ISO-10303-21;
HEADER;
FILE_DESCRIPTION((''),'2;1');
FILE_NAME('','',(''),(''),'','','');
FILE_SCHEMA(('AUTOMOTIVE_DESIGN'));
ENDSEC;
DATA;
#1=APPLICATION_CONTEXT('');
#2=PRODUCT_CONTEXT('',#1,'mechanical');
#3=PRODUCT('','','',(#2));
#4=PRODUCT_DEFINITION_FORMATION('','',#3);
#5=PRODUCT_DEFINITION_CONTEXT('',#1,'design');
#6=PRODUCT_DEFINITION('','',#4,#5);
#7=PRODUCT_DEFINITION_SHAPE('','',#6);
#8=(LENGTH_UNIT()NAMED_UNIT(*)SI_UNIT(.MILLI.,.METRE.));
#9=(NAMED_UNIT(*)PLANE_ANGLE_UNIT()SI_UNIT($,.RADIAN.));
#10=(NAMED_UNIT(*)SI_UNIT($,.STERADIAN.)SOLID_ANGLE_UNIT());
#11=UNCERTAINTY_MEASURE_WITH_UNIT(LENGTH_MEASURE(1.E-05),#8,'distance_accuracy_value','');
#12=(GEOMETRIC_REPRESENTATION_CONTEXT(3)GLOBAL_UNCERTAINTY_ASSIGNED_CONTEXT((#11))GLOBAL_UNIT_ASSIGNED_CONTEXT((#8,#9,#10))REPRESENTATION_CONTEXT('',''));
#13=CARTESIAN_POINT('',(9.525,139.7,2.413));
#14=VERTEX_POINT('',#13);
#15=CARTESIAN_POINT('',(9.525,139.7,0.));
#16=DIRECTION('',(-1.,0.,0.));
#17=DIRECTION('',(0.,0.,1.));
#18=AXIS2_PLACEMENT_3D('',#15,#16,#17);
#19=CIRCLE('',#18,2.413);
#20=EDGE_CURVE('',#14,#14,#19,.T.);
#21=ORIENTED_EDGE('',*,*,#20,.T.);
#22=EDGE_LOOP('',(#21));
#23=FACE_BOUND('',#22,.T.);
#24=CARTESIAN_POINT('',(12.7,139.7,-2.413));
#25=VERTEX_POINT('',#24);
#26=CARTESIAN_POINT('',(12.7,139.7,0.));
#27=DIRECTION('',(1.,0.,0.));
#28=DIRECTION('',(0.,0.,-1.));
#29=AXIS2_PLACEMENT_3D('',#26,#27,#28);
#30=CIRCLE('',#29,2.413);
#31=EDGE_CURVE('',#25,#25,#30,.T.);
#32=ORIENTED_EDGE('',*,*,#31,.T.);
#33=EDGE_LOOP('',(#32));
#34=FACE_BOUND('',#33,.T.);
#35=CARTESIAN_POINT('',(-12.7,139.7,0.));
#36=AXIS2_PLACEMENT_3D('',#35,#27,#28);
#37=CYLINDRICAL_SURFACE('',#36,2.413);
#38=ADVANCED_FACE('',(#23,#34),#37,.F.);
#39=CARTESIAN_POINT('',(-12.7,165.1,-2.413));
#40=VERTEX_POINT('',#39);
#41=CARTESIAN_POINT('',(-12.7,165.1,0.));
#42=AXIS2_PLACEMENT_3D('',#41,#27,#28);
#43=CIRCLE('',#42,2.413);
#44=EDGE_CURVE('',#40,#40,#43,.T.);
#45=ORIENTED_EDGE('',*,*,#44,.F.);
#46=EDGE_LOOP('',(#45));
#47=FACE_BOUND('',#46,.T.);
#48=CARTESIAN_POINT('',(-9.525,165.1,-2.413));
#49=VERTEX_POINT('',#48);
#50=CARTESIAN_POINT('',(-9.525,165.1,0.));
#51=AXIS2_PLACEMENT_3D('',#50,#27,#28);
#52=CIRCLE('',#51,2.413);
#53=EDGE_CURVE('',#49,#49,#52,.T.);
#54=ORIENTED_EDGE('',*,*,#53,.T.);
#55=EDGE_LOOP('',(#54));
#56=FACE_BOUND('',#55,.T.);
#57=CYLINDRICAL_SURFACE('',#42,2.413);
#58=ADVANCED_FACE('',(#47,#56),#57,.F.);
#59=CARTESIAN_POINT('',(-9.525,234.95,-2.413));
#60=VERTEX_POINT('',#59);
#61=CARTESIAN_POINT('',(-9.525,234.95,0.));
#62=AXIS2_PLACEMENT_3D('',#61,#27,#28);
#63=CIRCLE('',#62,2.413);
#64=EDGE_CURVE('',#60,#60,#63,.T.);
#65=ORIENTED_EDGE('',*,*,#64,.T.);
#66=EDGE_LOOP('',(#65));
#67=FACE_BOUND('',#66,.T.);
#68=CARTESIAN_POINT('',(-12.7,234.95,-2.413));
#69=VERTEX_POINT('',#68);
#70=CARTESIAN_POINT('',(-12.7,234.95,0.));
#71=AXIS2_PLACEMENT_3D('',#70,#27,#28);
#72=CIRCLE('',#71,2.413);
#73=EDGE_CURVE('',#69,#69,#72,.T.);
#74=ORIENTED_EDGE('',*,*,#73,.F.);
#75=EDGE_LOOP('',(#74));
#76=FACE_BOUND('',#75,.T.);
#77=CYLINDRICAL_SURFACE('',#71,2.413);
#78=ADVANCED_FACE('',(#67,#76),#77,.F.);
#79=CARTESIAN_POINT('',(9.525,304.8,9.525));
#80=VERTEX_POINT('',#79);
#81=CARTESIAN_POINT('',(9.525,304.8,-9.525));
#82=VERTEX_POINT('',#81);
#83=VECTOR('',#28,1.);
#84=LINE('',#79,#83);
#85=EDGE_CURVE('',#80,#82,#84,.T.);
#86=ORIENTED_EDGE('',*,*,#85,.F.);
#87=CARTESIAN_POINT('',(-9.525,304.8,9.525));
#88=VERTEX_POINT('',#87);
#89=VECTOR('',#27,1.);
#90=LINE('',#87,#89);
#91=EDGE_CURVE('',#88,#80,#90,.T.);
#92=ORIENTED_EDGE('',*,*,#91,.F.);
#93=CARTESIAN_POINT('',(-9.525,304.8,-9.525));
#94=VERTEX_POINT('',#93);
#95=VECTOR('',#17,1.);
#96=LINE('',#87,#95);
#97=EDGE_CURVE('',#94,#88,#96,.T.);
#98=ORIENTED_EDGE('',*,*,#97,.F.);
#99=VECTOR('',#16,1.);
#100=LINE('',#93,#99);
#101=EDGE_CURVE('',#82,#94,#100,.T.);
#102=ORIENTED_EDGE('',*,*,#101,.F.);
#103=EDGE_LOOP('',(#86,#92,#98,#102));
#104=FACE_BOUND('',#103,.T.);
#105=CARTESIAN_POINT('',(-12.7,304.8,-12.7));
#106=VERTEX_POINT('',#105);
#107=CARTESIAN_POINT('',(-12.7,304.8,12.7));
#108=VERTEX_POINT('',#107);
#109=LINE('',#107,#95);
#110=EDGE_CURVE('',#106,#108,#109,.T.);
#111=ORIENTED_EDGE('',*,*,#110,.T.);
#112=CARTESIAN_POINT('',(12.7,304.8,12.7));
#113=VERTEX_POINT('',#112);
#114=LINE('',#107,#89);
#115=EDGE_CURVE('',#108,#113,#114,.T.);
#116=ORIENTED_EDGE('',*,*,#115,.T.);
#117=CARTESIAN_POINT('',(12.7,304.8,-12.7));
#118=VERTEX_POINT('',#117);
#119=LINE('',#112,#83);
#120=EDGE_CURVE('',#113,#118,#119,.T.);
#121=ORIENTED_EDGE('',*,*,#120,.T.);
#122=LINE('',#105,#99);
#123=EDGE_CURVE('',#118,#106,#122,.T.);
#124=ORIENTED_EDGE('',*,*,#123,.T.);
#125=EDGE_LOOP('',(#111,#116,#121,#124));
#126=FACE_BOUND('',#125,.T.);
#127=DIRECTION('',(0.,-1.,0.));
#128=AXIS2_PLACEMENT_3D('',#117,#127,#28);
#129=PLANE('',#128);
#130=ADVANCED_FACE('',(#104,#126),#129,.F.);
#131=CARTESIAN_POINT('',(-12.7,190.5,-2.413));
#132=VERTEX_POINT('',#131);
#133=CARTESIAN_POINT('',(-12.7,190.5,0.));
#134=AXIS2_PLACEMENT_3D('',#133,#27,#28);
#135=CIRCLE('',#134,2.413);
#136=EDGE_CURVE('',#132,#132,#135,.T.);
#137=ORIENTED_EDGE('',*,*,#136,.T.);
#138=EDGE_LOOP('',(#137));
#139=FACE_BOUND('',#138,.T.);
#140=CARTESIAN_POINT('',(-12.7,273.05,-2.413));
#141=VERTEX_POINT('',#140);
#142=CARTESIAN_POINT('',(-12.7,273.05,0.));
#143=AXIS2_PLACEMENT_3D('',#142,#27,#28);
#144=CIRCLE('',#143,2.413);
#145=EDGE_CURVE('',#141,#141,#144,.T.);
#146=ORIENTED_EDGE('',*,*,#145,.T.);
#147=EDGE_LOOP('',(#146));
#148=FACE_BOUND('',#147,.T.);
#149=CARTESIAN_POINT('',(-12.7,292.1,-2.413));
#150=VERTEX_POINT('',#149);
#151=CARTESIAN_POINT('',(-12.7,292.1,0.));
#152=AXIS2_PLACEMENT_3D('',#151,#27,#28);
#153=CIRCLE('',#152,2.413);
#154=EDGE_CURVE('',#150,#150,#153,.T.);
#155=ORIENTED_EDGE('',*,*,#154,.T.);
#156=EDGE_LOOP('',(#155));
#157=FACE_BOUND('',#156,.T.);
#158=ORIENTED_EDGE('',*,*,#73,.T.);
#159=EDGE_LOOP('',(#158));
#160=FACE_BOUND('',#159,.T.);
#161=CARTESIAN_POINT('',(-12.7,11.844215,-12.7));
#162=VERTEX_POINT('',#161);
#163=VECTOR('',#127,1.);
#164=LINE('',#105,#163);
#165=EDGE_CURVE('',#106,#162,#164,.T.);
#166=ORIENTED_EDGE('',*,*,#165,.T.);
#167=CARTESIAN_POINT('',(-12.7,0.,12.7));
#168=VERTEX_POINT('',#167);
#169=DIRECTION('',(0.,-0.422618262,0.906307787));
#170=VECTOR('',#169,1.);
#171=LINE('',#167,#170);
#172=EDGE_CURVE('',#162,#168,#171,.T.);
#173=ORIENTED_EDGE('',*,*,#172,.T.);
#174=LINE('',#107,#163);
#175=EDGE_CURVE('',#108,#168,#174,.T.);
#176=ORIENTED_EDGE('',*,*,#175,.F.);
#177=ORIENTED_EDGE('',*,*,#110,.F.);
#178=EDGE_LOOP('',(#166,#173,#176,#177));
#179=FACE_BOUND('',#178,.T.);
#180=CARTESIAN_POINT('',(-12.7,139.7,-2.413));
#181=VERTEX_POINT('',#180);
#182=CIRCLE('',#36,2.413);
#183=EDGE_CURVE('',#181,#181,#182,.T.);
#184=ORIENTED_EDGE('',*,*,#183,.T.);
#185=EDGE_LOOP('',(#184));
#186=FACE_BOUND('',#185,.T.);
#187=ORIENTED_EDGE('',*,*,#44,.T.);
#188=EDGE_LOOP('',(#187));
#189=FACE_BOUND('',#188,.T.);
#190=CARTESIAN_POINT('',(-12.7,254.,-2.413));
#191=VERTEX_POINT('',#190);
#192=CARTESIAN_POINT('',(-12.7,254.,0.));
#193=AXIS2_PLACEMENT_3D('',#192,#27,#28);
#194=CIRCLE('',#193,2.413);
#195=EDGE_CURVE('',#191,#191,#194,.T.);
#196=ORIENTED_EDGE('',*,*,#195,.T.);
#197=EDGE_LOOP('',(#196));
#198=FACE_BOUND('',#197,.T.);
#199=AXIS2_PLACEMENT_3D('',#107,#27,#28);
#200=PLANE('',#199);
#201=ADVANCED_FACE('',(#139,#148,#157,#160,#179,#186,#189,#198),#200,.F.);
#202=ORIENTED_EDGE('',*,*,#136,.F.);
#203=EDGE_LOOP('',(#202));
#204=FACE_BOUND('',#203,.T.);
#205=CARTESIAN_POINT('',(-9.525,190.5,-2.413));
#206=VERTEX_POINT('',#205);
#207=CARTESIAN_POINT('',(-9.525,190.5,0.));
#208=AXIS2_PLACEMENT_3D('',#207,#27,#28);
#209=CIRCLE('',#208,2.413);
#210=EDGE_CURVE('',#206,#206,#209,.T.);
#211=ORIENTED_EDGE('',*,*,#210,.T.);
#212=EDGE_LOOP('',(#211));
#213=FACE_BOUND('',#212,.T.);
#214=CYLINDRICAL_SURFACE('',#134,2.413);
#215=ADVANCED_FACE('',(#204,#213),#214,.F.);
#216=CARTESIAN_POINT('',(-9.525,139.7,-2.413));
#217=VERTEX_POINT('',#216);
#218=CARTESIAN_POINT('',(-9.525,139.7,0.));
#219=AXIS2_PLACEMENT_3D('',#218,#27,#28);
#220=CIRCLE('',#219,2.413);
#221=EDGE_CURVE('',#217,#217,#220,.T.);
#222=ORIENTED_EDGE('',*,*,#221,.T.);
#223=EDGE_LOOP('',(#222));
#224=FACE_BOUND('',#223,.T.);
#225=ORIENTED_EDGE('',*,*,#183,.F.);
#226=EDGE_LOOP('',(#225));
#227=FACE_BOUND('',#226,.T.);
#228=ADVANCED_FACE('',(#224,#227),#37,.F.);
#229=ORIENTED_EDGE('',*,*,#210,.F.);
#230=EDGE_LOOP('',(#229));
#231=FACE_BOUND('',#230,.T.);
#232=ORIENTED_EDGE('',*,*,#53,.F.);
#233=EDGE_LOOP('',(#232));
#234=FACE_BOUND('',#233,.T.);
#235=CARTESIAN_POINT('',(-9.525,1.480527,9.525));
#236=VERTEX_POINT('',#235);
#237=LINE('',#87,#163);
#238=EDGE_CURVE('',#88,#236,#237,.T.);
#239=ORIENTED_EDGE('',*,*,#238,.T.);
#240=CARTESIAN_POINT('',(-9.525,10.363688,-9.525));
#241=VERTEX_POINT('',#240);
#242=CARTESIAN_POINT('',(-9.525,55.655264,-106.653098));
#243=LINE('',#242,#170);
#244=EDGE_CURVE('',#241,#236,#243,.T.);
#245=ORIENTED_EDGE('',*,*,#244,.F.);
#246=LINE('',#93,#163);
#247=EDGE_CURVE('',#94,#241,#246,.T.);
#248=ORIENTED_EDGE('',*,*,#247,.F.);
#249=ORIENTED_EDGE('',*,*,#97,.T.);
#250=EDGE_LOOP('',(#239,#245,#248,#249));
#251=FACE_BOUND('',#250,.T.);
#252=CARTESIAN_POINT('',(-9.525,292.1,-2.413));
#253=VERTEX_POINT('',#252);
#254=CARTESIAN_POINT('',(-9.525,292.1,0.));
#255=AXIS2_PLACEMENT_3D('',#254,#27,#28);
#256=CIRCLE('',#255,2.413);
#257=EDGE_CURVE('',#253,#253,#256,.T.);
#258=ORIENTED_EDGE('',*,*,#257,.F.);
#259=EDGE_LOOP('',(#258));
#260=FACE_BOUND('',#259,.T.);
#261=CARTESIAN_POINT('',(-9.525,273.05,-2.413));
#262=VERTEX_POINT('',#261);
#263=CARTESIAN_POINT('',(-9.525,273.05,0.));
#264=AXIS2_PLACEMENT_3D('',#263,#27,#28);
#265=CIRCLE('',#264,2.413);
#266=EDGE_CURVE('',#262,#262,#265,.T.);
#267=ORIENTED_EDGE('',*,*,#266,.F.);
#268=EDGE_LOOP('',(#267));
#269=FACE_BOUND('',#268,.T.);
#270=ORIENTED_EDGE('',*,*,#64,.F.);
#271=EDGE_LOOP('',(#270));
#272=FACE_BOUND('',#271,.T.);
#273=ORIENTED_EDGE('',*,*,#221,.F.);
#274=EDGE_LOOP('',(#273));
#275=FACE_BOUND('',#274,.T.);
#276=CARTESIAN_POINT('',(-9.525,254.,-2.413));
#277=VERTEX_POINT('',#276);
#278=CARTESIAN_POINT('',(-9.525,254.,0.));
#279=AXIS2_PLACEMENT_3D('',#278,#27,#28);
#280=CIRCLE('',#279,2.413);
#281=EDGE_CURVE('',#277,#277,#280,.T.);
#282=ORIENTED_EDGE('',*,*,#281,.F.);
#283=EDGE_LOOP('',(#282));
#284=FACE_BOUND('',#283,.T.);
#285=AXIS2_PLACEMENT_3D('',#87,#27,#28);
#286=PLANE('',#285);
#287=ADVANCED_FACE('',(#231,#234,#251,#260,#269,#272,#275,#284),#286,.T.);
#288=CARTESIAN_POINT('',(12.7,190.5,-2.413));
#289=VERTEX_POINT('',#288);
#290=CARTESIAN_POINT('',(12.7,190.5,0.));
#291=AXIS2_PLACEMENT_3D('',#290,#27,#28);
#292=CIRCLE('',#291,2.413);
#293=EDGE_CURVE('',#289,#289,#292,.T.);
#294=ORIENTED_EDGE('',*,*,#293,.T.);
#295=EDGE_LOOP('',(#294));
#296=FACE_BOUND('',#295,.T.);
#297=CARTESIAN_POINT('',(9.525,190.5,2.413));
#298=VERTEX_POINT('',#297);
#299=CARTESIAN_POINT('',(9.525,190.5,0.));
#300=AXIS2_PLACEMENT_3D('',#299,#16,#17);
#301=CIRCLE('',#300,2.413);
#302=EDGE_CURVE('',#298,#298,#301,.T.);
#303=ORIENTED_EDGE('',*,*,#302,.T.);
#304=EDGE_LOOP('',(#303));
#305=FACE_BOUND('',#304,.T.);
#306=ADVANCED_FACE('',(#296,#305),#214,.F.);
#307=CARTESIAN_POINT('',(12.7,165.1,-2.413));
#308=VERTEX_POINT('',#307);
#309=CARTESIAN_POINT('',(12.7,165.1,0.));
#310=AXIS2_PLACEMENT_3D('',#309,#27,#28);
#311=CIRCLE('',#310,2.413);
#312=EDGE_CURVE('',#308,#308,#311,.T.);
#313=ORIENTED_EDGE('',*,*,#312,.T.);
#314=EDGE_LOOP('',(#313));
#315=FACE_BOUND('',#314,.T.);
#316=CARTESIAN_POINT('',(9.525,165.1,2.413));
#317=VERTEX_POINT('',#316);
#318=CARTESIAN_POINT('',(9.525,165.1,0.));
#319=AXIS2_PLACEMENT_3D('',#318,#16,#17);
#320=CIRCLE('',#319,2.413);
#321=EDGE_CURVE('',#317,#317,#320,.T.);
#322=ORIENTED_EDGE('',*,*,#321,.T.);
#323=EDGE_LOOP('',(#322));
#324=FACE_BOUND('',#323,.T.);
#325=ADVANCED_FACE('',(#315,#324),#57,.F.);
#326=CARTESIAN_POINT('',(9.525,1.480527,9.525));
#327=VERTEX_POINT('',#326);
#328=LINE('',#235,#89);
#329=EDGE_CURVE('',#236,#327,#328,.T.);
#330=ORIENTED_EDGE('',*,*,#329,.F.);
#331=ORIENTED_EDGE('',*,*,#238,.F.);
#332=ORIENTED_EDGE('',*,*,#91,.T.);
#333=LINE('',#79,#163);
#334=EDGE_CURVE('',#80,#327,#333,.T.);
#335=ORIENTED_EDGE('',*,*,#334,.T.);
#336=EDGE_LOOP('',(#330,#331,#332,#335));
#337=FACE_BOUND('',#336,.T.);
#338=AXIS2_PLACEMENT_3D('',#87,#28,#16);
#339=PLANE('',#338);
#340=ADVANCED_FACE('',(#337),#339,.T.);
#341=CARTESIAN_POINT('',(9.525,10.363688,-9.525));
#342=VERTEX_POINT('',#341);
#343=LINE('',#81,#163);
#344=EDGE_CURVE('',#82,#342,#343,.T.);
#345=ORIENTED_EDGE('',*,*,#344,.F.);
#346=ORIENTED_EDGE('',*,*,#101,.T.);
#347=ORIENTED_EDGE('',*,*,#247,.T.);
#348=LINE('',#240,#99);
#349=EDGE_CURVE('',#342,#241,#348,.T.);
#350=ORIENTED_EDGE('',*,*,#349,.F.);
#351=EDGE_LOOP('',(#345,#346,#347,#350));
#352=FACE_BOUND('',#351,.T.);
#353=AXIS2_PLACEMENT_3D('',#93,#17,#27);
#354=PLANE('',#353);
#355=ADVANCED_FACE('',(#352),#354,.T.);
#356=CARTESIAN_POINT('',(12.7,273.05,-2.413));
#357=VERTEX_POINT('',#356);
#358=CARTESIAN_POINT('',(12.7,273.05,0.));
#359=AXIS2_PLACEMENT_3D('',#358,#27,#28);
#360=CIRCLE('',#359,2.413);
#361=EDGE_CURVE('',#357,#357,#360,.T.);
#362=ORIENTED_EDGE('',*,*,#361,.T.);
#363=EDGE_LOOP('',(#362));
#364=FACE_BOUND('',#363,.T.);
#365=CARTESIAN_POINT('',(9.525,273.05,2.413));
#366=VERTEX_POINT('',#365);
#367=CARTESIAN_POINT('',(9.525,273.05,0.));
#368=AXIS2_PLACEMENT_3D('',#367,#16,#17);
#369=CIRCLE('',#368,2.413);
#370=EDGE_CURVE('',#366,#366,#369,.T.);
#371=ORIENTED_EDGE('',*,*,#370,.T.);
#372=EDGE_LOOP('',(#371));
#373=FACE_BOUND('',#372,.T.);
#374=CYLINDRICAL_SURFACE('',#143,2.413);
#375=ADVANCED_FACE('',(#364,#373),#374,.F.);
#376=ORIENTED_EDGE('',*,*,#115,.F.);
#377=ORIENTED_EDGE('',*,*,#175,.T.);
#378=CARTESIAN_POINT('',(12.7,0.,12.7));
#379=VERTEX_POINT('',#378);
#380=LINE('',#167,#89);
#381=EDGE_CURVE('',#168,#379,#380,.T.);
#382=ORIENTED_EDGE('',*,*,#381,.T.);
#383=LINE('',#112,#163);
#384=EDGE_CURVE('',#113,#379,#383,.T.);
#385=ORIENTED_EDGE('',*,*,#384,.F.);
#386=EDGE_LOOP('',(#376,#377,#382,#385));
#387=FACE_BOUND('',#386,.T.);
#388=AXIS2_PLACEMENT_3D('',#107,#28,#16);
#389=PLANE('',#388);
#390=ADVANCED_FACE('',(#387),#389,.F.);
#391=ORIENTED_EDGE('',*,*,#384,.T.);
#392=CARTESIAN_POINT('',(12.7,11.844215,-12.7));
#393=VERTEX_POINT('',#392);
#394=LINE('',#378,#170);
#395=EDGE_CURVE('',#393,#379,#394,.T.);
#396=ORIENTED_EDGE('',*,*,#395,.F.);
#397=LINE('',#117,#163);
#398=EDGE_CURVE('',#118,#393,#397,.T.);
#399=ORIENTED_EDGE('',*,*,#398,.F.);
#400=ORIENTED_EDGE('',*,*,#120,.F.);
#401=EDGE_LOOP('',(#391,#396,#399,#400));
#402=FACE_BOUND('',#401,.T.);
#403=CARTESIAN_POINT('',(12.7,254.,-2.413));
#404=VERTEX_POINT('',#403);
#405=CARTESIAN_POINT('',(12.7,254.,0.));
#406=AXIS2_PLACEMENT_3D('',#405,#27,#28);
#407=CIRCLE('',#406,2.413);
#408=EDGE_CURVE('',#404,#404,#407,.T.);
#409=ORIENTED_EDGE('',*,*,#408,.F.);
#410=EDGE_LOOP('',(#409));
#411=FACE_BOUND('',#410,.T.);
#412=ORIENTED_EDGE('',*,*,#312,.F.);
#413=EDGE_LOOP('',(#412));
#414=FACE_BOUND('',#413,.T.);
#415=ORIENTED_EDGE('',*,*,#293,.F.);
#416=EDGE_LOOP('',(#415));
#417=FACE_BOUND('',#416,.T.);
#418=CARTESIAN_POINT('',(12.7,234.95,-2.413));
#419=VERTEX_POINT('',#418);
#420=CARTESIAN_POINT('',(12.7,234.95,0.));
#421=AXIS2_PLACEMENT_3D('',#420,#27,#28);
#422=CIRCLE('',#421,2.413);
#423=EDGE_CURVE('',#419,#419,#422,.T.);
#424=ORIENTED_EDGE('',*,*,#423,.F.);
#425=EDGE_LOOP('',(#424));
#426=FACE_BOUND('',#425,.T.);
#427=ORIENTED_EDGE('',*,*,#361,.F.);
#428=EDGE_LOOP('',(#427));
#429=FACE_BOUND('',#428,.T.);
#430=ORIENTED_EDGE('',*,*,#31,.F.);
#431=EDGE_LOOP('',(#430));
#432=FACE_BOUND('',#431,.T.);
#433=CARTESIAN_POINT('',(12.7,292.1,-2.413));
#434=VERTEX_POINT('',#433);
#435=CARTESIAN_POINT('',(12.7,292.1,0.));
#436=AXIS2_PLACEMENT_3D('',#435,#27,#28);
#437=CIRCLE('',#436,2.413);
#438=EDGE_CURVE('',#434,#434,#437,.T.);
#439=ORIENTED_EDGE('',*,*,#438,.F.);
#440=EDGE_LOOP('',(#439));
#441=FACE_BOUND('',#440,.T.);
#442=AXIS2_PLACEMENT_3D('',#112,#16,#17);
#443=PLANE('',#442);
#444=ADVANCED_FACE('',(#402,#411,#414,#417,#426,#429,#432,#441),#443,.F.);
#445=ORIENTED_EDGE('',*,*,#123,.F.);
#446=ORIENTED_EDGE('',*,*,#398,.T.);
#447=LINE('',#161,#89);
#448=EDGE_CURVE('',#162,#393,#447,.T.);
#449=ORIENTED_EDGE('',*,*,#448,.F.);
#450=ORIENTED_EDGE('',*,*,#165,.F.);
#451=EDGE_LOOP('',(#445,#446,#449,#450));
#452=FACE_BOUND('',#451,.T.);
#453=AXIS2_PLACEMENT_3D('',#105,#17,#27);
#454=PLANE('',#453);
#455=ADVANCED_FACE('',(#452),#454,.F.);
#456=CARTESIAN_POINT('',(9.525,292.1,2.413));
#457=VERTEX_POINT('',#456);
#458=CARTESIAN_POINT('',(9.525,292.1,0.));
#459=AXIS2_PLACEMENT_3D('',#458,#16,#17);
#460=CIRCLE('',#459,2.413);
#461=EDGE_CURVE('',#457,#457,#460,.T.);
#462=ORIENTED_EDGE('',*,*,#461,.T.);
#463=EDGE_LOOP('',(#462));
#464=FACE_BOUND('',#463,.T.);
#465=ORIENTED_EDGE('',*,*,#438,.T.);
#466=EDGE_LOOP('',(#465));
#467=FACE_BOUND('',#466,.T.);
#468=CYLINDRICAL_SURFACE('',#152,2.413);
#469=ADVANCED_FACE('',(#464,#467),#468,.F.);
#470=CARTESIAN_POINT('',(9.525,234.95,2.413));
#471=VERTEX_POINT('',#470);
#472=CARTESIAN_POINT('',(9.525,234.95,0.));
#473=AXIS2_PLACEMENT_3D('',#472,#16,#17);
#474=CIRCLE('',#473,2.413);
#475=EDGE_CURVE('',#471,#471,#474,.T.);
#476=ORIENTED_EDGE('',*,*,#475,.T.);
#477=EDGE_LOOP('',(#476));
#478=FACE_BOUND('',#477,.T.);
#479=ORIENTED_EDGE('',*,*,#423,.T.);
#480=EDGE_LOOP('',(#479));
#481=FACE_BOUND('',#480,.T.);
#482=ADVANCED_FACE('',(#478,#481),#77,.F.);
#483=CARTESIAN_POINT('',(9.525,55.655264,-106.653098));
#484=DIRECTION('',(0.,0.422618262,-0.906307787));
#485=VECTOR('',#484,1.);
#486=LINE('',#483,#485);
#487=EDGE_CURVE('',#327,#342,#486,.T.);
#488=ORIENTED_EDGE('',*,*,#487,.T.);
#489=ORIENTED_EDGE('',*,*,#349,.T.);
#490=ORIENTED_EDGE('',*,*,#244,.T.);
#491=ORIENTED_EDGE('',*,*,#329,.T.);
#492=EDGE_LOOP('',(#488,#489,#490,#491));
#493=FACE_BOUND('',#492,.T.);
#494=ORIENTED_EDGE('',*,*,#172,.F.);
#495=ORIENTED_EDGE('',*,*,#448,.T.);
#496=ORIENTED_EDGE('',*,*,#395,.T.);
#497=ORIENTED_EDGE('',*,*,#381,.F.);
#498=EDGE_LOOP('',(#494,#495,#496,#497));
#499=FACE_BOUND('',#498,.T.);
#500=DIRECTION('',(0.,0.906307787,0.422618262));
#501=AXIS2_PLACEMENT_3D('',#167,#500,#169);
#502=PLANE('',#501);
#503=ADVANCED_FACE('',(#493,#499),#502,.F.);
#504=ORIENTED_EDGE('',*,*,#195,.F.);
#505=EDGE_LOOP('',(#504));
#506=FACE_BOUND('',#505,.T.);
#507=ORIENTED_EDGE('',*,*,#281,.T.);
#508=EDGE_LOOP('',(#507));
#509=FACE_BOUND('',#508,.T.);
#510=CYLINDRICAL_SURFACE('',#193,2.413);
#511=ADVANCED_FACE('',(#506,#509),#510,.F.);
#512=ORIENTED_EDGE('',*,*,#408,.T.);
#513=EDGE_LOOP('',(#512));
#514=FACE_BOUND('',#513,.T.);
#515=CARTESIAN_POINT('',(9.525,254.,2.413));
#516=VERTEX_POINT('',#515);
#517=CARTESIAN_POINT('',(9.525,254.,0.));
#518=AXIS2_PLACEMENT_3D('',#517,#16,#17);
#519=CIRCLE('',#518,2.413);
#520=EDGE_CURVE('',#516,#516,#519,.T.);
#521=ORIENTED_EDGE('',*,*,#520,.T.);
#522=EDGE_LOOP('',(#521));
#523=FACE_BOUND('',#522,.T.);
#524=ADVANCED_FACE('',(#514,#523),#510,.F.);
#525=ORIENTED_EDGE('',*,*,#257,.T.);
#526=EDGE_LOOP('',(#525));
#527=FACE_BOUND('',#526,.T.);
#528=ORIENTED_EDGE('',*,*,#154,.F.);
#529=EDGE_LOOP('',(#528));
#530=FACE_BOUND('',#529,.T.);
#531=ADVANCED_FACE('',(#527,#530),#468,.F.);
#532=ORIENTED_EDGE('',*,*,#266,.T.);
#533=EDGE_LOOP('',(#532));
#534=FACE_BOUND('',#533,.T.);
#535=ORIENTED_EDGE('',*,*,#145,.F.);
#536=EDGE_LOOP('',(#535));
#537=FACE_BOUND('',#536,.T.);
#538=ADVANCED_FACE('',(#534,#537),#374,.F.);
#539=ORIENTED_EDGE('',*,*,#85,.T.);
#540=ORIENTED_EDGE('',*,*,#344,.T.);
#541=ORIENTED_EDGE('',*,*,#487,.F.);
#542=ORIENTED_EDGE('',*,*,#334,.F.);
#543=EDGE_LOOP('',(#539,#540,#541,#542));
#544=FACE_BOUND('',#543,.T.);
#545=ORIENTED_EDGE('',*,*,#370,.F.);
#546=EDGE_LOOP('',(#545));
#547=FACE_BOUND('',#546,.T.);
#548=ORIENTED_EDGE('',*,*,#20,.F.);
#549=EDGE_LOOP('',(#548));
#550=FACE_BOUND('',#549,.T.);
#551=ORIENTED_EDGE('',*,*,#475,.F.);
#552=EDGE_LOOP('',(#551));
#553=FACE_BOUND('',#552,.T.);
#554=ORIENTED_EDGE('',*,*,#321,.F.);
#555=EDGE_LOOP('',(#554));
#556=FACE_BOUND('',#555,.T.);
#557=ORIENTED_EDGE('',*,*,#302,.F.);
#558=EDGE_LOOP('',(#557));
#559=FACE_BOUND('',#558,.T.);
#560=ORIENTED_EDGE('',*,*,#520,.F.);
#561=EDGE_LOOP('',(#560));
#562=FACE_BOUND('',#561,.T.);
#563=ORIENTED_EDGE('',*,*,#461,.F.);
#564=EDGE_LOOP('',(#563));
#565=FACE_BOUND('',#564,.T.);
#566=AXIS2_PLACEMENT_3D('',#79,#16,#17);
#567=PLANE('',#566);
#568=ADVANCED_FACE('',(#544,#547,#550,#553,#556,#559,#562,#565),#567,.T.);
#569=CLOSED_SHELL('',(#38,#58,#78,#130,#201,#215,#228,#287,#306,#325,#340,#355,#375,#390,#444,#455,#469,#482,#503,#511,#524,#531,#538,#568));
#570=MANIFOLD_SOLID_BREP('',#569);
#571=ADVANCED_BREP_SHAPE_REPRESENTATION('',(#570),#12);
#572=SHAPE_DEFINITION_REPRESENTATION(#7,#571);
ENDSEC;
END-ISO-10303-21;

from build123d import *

# Parameters (mm, degrees)
SKETCH1_W           = 25.4
SKETCH1_H           = 25.4
SKETCH1_W_2         = 19.05
SKETCH1_H_2         = 19.05
BOSS_EXTRUDE1_DEPTH = 304.8
SKETCH2_R           = 2.413
CUT_EXTRUDE1_DEPTH  = 25.4


with BuildPart() as part:
    # Sketch1 → Boss-Extrude1 (new body)
    with BuildSketch(Plane(origin=(0, 0, 0), x_dir=(1, 0, 0), z_dir=(0, 1, 0))):
        Rectangle(SKETCH1_W, SKETCH1_H)
        Rectangle(SKETCH1_W_2, SKETCH1_H_2, mode=Mode.SUBTRACT)
    extrude(amount=BOSS_EXTRUDE1_DEPTH)

    # Sketch2 → Cut-Extrude1 (cut)
    with BuildSketch(Plane(origin=(12.7, 0, 0), x_dir=(0, 0, -1), z_dir=(1, 0, 0))):
        with Locations((0, 292.1)):
            Circle(SKETCH2_R)
        with Locations((0, 273.05)):
            Circle(SKETCH2_R)
        with Locations((0, 254)):
            Circle(SKETCH2_R)
        with Locations((0, 234.95)):
            Circle(SKETCH2_R)
        with Locations((0, 190.5)):
            Circle(SKETCH2_R)
        with Locations((0, 165.1)):
            Circle(SKETCH2_R)
        with Locations((0, 139.7)):
            Circle(SKETCH2_R)
        Polygon((-12.7, 0), (12.7, 11.844214517), (12.7, 0), align=None)
    extrude(amount=-CUT_EXTRUDE1_DEPTH, mode=Mode.SUBTRACT)


solid = part.part
